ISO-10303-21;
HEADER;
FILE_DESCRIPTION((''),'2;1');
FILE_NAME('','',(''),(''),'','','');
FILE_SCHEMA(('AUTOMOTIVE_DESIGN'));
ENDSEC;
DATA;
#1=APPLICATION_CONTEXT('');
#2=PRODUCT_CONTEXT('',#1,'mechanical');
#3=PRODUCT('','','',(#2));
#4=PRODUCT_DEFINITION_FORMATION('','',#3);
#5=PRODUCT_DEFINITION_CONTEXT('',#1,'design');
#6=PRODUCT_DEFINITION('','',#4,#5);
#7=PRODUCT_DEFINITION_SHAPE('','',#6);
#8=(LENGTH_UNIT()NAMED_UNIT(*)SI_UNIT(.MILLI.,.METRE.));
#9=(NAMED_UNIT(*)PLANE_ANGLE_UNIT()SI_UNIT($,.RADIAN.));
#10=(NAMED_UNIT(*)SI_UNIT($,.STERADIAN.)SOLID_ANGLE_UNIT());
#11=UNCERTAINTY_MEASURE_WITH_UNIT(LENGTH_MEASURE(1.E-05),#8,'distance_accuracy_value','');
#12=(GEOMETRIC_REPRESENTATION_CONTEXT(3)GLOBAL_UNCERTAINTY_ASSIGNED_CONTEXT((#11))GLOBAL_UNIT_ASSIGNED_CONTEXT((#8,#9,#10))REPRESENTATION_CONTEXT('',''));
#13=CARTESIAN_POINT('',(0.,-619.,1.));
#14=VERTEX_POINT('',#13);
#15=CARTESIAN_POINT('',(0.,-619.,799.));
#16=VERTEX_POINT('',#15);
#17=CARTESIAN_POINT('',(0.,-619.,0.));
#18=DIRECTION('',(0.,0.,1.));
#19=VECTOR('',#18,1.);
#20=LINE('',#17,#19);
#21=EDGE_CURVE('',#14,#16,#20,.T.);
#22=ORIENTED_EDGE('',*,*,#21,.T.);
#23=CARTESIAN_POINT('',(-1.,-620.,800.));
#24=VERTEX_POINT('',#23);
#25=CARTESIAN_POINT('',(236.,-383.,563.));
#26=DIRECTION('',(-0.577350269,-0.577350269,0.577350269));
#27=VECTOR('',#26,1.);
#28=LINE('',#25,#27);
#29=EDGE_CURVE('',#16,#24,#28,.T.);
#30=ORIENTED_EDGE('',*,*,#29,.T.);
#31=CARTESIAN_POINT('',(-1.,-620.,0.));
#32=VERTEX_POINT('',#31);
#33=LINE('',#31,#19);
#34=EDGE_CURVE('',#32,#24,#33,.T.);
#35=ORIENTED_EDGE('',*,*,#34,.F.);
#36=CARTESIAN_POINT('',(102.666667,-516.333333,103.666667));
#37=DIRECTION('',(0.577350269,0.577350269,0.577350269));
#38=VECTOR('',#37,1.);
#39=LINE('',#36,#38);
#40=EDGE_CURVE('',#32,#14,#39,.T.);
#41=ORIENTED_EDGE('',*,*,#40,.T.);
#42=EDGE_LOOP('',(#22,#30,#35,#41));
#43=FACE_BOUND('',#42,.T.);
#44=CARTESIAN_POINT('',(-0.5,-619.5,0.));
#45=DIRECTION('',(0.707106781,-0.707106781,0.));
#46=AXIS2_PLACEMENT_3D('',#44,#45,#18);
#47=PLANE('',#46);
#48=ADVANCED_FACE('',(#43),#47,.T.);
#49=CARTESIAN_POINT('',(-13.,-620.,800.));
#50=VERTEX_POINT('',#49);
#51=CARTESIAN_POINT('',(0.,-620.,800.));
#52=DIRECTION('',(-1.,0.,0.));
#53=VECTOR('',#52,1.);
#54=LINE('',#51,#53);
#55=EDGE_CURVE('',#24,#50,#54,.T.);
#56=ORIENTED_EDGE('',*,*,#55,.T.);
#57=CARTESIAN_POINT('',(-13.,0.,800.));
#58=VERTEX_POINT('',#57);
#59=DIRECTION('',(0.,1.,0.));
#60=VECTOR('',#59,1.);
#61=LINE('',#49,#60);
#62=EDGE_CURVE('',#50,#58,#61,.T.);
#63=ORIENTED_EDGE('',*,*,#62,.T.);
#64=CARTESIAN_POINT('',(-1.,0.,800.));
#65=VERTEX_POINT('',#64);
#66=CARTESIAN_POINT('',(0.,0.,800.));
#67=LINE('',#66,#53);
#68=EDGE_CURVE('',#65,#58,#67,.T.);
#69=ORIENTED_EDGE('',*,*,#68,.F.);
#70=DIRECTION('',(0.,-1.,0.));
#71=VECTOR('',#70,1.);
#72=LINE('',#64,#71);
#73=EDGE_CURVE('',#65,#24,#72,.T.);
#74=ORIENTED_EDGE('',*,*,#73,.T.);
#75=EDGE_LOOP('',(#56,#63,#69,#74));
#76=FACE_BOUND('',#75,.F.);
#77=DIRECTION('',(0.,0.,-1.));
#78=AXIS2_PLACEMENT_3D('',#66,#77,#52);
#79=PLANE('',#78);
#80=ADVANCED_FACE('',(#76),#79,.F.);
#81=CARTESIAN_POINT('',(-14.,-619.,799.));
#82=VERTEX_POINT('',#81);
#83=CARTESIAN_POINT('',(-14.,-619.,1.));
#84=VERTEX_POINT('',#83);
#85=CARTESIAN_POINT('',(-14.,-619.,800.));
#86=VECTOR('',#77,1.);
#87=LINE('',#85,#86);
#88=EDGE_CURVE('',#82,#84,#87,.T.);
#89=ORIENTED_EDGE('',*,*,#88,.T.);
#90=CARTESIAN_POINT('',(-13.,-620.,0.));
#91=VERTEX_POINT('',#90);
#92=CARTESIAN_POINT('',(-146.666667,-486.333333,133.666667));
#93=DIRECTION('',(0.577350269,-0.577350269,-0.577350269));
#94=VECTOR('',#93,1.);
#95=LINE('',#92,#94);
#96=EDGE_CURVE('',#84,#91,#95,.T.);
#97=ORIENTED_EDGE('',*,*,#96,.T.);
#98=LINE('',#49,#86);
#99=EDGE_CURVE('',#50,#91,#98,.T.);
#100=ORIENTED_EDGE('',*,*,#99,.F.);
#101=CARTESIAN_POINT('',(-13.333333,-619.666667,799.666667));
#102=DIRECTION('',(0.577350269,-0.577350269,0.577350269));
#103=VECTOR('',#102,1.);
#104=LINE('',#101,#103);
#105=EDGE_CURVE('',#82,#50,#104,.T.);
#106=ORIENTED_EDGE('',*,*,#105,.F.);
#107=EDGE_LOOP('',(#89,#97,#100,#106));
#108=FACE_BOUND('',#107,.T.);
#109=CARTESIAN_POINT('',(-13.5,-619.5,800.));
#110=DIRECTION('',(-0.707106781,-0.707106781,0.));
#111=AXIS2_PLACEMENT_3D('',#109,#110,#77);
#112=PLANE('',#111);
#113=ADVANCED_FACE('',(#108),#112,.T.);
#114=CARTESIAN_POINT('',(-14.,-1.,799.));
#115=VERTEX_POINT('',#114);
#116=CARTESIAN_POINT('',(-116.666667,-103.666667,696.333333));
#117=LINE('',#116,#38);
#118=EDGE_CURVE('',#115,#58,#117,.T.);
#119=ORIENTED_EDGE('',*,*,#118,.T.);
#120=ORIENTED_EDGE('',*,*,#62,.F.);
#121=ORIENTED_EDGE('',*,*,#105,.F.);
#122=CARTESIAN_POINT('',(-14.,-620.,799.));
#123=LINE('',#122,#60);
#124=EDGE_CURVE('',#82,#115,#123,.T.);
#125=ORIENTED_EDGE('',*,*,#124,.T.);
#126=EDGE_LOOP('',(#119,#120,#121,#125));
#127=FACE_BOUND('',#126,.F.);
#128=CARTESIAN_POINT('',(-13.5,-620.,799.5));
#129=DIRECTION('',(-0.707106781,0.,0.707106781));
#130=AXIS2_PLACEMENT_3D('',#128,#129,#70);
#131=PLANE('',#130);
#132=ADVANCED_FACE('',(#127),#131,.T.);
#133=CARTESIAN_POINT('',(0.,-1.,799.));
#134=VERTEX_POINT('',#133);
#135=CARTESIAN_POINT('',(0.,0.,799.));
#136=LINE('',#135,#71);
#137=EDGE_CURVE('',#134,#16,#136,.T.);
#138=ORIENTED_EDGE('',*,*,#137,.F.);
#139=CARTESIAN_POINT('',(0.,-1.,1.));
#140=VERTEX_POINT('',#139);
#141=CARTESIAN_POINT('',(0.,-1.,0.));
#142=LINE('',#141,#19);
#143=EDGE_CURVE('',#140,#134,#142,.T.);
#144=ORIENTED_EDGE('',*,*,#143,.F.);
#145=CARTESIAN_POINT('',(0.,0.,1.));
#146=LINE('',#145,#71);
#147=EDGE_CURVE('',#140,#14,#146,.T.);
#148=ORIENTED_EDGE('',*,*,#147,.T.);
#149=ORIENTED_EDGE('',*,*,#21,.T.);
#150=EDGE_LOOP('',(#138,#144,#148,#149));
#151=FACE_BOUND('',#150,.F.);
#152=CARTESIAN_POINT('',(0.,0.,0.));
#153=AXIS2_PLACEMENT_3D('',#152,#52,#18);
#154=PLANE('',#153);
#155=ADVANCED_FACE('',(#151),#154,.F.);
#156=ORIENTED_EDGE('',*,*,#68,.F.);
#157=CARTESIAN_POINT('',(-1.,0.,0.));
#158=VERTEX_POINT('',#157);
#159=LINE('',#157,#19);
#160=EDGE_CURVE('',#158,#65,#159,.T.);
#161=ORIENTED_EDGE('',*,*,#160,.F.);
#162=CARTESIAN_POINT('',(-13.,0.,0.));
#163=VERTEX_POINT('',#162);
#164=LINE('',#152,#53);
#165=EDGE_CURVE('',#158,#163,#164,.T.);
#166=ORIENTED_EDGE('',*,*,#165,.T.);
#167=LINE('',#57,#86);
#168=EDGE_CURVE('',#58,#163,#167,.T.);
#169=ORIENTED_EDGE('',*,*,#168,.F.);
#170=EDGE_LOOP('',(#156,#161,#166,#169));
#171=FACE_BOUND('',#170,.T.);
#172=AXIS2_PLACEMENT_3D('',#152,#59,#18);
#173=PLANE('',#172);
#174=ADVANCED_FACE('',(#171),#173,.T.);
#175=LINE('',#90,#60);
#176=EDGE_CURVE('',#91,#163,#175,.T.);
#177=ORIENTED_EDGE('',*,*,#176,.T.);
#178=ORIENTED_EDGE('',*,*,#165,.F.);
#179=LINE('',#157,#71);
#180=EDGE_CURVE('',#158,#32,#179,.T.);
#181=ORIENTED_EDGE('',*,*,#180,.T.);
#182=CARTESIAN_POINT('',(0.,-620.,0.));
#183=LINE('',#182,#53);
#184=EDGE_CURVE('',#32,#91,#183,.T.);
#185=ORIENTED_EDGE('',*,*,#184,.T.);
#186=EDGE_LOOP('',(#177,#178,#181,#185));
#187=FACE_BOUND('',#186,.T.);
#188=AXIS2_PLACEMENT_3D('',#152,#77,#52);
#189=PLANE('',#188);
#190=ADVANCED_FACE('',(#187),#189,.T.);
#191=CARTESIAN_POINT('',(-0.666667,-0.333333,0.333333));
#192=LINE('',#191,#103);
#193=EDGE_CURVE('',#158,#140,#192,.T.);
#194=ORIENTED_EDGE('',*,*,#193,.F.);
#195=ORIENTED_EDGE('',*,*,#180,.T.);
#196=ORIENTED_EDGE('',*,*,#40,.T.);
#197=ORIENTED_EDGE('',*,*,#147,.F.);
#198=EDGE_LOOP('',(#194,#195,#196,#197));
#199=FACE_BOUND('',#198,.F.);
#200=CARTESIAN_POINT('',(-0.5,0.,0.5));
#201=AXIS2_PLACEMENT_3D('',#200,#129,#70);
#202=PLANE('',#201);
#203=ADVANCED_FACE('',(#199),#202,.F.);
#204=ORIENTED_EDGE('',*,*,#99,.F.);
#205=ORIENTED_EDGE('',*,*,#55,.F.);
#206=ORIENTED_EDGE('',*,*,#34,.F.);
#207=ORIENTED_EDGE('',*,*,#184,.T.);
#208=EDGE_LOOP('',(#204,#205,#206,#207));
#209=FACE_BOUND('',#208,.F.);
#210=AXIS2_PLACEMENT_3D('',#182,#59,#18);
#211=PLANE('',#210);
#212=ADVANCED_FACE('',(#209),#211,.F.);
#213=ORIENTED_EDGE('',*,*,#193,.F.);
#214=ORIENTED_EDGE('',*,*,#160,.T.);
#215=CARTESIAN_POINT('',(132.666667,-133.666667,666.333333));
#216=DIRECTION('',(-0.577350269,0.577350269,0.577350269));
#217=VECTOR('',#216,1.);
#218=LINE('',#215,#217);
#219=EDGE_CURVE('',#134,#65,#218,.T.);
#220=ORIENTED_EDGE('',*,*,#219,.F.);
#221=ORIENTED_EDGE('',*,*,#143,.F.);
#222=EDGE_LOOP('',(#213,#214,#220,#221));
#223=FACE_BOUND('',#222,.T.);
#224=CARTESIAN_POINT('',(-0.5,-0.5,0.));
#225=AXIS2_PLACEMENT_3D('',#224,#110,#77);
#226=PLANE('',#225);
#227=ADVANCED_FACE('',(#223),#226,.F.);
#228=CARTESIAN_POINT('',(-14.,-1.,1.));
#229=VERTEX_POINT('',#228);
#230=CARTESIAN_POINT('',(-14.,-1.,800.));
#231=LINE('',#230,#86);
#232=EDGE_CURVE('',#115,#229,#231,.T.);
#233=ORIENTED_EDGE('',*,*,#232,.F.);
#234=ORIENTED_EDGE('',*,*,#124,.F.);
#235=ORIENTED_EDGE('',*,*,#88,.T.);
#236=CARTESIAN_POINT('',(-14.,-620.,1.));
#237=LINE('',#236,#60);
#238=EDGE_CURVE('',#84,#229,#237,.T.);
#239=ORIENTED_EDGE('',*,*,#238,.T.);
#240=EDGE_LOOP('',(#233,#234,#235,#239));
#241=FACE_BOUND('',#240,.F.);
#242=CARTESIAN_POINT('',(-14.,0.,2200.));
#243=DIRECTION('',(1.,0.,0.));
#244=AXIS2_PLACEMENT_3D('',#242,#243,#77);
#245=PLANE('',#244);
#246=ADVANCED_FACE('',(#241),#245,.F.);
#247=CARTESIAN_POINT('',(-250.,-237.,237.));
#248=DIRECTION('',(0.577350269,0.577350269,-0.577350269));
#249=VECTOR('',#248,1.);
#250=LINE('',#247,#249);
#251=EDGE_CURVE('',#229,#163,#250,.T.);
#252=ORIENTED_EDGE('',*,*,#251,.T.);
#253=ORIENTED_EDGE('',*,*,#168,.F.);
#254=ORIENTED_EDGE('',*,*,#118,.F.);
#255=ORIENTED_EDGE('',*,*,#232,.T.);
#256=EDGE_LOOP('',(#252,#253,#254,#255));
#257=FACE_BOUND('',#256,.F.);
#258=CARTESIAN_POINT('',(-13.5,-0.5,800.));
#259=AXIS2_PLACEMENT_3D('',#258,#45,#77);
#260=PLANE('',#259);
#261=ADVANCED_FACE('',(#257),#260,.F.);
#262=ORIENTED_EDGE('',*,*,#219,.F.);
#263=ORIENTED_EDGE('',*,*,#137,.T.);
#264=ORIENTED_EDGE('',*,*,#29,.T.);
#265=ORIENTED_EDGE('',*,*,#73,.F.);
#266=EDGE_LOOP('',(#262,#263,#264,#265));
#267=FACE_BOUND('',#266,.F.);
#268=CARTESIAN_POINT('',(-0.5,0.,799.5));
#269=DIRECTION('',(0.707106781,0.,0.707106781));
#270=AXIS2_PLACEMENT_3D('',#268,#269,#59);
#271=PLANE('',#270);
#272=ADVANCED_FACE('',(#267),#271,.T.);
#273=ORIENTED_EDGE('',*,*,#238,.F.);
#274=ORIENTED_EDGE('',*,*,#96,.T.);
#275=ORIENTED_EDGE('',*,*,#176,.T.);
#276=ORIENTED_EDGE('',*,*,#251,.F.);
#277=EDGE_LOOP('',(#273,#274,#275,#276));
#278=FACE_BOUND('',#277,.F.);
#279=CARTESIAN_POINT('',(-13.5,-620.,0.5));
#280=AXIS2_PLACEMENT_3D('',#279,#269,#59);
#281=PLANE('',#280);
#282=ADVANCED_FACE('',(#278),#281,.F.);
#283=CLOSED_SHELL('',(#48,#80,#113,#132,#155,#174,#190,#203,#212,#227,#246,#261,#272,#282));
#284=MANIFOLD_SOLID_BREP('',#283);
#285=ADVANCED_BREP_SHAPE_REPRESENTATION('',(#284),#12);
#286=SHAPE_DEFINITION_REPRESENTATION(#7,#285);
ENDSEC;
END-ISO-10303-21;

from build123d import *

# Parameters (mm, degrees)
F0_W     = 50.6520830095
F0_H     = 38.2762104273
F1_DEPTH = 14
F2_DEPTH = 2200
F3_DEPTH = 620
F4_DEPTH = 400
F5_DEPTH = 1000
F6_SIZE  = 1


with BuildPart() as f1:
    # F0 (on Right) → F1 (new body)
    with BuildSketch(Plane.YZ):
        with Locations((-25.3260415047, 19.1381052136)):
            Rectangle(F0_W, F0_H)
    extrude(amount=-F1_DEPTH)

    # F2 (add): a face of the model
    f2_faces = [f1.faces().sort_by_distance(p)[0] for p in [
        (-7, -25.3260415047, 0),
    ]]
    extrude(f2_faces, amount=-F2_DEPTH)

    # F3 (add): a face of the model
    f3_faces = [f1.faces().sort_by_distance(p)[0] for p in [
        (-7, 0, 1100),
    ]]
    extrude(f3_faces, amount=-F3_DEPTH)

    # F4 (cut): a face of the model
    f4_faces = [f1.faces().sort_by_distance(p)[0] for p in [
        (-7, -310, 2200),
    ]]
    extrude(f4_faces, amount=-F4_DEPTH, mode=Mode.SUBTRACT)

    # F5 (cut): a face of the model
    f5_faces = [f1.faces().sort_by_distance(p)[0] for p in [
        (-7, -310, 1800),
    ]]
    extrude(f5_faces, amount=-F5_DEPTH, mode=Mode.SUBTRACT)

    # F6
    f6_edges = [f1.edges().sort_by_distance(p)[0] for p in [
        (0, -310, 0),
        (0, -620, 400),
        (0, -310, 800),
        (0, 0, 400),
        (-14, -620, 400),
        (-14, -310, 800),
        (-14, 0, 400),
        (-14, -310, 0),
    ]]
    chamfer(f6_edges, length=F6_SIZE)


solid = f1.part
